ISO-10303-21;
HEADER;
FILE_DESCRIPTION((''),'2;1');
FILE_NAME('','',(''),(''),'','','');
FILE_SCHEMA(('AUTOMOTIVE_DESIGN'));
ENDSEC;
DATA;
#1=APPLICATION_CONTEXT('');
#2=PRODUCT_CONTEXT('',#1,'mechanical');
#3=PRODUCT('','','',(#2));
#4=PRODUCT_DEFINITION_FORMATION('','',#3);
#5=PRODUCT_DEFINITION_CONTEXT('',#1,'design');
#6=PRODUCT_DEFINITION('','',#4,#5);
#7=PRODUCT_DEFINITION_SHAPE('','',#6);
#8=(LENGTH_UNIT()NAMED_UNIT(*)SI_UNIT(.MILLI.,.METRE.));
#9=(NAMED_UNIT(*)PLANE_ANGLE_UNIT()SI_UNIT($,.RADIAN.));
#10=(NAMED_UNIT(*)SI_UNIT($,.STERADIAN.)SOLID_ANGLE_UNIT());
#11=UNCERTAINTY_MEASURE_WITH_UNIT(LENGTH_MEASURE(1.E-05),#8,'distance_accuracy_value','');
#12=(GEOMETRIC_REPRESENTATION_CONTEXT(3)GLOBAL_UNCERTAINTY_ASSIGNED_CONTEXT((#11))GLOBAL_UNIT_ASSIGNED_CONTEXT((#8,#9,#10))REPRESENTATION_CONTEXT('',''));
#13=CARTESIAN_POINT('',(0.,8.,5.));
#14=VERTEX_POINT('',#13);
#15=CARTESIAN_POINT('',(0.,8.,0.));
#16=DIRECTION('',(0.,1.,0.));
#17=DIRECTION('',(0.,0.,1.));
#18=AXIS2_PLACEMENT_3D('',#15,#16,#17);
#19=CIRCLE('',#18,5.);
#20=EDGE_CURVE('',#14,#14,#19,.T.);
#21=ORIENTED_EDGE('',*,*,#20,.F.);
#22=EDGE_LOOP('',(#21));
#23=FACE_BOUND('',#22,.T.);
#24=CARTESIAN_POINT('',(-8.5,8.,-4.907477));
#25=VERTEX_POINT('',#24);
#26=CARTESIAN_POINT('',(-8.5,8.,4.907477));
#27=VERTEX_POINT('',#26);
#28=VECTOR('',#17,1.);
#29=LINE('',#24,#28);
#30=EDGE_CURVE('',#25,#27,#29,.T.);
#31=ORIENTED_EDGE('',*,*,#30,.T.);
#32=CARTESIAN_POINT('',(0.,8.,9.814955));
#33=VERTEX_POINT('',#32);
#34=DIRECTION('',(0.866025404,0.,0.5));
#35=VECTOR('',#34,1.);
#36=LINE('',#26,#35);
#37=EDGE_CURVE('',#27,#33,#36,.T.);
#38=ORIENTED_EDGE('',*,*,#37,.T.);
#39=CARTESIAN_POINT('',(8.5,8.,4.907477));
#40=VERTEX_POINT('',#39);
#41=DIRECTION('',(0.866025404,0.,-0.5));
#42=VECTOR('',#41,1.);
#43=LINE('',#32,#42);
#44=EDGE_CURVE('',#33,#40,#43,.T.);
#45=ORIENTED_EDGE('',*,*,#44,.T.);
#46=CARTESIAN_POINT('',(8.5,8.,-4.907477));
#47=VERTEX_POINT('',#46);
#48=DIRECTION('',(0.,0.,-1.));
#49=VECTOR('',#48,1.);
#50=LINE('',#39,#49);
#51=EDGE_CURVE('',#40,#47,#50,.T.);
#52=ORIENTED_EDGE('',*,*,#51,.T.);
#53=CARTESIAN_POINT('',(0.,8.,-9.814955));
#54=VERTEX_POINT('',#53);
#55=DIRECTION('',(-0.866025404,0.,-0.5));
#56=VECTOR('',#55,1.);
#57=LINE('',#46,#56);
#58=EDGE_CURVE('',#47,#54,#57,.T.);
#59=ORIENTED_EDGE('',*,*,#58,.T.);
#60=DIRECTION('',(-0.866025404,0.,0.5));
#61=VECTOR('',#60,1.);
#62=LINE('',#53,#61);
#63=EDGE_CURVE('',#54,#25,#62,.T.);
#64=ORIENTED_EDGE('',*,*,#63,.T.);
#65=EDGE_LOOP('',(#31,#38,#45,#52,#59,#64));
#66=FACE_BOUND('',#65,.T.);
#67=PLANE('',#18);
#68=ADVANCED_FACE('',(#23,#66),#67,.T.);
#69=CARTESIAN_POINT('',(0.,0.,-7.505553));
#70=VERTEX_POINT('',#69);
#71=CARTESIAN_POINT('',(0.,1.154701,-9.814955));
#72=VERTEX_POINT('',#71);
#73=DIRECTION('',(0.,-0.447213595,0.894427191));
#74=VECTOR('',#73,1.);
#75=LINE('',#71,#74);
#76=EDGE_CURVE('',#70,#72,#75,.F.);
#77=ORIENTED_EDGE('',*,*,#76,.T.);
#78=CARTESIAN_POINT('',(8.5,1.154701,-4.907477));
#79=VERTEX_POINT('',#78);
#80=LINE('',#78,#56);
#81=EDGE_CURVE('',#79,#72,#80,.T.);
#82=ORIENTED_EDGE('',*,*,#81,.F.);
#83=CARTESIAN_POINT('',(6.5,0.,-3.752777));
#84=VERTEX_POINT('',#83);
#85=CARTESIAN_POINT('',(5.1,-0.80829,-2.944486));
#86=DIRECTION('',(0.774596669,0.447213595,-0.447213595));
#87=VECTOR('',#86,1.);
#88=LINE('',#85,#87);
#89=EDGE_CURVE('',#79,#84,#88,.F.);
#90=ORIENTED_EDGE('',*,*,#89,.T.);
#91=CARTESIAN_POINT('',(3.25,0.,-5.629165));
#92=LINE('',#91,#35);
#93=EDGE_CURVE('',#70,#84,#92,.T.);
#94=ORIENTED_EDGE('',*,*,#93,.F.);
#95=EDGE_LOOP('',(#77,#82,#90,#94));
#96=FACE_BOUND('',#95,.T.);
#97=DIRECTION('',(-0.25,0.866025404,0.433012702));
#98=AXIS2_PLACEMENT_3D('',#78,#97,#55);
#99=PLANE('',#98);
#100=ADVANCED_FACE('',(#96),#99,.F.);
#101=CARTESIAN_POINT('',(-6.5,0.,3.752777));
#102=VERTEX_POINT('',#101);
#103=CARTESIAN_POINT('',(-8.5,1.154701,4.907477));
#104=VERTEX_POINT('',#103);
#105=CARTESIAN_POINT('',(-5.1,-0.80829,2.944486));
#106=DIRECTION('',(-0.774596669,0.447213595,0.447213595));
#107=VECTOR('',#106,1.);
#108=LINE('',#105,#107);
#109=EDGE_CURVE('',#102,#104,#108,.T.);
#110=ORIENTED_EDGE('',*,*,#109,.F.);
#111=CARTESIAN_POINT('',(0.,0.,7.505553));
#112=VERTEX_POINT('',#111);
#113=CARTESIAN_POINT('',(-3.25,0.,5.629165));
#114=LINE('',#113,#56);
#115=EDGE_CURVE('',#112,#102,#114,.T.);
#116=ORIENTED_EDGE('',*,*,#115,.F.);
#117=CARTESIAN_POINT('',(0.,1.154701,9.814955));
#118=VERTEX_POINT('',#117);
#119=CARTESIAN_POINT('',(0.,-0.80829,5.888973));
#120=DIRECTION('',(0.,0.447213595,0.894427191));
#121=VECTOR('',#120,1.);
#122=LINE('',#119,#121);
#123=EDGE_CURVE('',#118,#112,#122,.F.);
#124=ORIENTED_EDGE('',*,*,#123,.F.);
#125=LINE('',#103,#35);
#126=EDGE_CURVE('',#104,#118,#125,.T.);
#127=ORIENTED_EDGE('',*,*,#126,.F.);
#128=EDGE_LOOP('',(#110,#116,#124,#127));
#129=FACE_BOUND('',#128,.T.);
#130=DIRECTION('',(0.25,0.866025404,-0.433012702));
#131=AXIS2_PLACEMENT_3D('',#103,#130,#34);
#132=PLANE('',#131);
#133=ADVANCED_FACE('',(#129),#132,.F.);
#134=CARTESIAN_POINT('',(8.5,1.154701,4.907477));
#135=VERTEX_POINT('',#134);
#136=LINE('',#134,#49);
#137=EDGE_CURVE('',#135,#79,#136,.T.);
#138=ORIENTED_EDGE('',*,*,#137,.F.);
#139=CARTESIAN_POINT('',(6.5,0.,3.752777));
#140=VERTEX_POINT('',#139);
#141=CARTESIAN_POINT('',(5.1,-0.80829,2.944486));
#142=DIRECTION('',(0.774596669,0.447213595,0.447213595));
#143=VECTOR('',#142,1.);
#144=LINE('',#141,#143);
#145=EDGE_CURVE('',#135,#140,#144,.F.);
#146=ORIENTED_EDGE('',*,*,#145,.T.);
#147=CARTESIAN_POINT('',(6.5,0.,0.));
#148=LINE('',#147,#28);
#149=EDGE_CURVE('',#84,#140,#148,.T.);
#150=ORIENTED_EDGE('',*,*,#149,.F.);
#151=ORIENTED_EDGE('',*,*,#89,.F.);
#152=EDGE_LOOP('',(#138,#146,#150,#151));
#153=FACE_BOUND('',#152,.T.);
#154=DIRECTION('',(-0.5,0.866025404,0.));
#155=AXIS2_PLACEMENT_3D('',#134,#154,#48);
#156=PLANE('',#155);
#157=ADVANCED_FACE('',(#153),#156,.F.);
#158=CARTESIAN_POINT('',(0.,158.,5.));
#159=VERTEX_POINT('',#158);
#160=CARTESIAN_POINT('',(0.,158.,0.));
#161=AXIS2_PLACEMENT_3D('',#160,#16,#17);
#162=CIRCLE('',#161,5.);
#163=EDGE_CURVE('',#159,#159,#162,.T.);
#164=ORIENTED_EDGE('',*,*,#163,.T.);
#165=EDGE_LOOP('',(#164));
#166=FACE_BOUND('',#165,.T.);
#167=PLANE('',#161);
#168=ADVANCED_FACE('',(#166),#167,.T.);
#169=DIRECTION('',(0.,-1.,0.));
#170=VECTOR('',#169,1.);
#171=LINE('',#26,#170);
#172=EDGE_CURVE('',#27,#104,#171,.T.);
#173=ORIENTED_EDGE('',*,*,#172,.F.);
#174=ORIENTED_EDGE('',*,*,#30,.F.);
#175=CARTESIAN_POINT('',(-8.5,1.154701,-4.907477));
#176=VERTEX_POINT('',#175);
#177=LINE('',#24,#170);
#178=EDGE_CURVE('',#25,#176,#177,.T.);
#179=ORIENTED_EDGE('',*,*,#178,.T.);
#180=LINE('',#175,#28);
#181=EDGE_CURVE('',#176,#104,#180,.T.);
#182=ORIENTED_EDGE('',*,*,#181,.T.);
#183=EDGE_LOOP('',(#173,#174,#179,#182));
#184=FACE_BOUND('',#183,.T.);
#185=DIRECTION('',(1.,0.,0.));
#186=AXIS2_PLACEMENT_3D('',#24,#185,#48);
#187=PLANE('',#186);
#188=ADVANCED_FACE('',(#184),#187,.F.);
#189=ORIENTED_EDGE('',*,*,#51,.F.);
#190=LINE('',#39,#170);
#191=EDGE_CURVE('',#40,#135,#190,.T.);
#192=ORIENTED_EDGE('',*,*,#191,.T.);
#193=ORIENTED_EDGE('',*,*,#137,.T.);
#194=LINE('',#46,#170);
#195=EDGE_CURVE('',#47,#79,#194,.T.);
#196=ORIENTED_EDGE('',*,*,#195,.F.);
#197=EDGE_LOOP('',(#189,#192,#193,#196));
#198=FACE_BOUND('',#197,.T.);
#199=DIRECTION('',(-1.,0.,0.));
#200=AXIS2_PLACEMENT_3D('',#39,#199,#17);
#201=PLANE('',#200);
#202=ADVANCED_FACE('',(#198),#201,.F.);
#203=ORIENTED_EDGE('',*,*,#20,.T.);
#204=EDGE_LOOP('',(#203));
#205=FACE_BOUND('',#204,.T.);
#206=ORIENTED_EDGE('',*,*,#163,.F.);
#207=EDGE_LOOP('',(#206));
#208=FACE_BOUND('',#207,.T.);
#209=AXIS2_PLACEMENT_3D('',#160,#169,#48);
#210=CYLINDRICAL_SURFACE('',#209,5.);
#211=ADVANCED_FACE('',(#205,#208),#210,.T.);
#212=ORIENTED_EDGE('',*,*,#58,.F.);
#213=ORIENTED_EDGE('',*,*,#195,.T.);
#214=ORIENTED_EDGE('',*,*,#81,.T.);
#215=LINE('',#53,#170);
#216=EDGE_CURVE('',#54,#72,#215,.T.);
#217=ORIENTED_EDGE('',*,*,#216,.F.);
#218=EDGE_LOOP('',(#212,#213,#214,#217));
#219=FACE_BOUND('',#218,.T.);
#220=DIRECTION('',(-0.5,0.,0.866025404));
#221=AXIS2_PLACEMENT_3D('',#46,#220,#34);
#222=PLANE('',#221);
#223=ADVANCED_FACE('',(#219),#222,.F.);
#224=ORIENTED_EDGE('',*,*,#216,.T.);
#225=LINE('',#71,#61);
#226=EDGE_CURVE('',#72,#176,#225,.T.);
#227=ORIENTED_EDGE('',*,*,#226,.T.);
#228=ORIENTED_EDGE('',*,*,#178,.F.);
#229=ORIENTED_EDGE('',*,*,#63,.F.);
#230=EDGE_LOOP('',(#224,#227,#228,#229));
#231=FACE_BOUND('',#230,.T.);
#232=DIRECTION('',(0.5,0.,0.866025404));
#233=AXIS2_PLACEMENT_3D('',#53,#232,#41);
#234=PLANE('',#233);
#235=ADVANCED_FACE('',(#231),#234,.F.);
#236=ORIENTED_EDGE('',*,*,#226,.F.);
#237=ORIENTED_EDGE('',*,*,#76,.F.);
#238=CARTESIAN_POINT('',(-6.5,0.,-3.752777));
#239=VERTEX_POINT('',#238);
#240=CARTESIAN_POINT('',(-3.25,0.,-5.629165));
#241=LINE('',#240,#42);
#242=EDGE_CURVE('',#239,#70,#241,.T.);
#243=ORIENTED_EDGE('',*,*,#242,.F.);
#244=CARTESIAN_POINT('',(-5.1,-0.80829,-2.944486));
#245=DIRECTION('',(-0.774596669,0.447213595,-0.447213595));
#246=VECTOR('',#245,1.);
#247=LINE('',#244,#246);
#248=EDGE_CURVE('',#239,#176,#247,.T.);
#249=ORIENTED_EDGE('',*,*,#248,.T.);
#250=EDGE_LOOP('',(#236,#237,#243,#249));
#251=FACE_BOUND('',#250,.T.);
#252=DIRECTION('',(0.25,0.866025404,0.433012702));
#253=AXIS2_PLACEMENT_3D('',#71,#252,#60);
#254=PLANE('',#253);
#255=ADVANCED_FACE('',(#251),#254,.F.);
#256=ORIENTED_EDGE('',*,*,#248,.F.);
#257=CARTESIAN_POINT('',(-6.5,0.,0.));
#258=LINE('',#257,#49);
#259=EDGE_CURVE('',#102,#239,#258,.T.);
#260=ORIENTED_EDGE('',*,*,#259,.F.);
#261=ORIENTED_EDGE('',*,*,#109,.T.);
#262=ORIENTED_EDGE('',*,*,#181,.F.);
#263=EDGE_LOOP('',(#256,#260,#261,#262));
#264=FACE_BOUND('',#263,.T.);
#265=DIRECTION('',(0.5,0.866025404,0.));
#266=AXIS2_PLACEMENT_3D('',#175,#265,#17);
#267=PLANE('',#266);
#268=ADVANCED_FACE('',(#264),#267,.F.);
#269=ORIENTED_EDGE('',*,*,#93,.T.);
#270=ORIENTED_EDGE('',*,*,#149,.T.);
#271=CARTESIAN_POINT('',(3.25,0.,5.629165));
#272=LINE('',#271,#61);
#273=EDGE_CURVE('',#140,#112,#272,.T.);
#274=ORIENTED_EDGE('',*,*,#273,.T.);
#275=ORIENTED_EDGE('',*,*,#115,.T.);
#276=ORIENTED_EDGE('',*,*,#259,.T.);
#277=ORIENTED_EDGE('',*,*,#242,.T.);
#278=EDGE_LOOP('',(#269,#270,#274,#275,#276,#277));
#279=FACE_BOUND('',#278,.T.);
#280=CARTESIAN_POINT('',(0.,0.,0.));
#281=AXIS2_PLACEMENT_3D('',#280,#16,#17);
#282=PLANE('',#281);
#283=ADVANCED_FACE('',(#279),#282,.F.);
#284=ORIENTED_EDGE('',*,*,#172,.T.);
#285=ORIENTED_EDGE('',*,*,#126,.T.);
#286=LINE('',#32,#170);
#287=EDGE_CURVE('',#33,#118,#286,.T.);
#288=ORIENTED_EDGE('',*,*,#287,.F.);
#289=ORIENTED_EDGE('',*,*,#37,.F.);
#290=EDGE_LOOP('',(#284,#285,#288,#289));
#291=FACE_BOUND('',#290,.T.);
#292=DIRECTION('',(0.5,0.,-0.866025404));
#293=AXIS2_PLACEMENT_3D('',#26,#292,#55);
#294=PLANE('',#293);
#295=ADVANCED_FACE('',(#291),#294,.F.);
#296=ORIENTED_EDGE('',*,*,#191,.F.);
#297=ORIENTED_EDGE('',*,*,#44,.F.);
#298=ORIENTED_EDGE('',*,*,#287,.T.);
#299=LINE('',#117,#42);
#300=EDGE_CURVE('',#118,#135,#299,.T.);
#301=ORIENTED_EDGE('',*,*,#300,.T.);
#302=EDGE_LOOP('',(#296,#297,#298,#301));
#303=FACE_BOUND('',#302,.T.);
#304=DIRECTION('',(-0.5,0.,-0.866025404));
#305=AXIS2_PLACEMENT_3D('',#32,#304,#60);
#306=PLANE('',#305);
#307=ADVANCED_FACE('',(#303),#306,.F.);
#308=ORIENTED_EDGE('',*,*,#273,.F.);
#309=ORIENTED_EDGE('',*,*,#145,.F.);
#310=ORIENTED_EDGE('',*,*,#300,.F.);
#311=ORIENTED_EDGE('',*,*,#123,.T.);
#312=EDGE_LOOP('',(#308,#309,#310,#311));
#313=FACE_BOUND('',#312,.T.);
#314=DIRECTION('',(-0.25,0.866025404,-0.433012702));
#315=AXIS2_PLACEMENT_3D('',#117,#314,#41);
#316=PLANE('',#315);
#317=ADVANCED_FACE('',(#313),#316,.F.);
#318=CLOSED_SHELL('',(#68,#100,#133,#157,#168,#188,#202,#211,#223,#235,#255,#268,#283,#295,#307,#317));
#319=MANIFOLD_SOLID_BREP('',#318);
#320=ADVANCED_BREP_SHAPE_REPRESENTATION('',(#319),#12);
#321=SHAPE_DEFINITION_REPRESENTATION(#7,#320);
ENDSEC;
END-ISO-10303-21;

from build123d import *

# Parameters (mm, degrees)
EXTRUDE_1_DEPTH = 8
SKETCH_2_R      = 5
EXTRUDE_2_DEPTH = 150
CHAMFER_1_SIZE  = 2
CHAMFER_1_SIZE2 = 1.154700538


with BuildPart() as part:
    # Эскиз1 → Бобышка-Вытянуть1 (new body)
    with BuildSketch(Plane(origin=(0, 0, 0), x_dir=(1, 0, 0), z_dir=(0, 1, 0))):
        Polygon((8.5, -4.907477288), (8.5, 4.907477288), (0, 9.814954576), (-8.5, 4.907477288), (-8.5, -4.907477288), (0, -9.814954576), align=None)
    extrude(amount=EXTRUDE_1_DEPTH)

    # Эскиз2 → Бобышка-Вытянуть2 (add)
    with BuildSketch(Plane(origin=(0, 8, 0), x_dir=(1, 0, 0), z_dir=(0, 1, 0))):
        Circle(SKETCH_2_R)
    extrude(amount=EXTRUDE_2_DEPTH)

    # Фаска1
    chamfer_1_edges = [part.edges().sort_by_distance(p)[0] for p in [
        (-4.25, 0, 7.361215932),
        (-8.5, 0, 0),
        (-4.25, 0, -7.361215932),
        (4.25, 0, -7.361215932),
        (8.5, 0, 0),
        (4.25, 0, 7.361215932),
    ]]
    chamfer_1_side = [part.faces().sort_by_distance(p)[0] for p in [
        (0, 0, 0),
    ]]
    chamfer(chamfer_1_edges, length=CHAMFER_1_SIZE, length2=CHAMFER_1_SIZE2, reference=chamfer_1_side[0])


solid = part.part
